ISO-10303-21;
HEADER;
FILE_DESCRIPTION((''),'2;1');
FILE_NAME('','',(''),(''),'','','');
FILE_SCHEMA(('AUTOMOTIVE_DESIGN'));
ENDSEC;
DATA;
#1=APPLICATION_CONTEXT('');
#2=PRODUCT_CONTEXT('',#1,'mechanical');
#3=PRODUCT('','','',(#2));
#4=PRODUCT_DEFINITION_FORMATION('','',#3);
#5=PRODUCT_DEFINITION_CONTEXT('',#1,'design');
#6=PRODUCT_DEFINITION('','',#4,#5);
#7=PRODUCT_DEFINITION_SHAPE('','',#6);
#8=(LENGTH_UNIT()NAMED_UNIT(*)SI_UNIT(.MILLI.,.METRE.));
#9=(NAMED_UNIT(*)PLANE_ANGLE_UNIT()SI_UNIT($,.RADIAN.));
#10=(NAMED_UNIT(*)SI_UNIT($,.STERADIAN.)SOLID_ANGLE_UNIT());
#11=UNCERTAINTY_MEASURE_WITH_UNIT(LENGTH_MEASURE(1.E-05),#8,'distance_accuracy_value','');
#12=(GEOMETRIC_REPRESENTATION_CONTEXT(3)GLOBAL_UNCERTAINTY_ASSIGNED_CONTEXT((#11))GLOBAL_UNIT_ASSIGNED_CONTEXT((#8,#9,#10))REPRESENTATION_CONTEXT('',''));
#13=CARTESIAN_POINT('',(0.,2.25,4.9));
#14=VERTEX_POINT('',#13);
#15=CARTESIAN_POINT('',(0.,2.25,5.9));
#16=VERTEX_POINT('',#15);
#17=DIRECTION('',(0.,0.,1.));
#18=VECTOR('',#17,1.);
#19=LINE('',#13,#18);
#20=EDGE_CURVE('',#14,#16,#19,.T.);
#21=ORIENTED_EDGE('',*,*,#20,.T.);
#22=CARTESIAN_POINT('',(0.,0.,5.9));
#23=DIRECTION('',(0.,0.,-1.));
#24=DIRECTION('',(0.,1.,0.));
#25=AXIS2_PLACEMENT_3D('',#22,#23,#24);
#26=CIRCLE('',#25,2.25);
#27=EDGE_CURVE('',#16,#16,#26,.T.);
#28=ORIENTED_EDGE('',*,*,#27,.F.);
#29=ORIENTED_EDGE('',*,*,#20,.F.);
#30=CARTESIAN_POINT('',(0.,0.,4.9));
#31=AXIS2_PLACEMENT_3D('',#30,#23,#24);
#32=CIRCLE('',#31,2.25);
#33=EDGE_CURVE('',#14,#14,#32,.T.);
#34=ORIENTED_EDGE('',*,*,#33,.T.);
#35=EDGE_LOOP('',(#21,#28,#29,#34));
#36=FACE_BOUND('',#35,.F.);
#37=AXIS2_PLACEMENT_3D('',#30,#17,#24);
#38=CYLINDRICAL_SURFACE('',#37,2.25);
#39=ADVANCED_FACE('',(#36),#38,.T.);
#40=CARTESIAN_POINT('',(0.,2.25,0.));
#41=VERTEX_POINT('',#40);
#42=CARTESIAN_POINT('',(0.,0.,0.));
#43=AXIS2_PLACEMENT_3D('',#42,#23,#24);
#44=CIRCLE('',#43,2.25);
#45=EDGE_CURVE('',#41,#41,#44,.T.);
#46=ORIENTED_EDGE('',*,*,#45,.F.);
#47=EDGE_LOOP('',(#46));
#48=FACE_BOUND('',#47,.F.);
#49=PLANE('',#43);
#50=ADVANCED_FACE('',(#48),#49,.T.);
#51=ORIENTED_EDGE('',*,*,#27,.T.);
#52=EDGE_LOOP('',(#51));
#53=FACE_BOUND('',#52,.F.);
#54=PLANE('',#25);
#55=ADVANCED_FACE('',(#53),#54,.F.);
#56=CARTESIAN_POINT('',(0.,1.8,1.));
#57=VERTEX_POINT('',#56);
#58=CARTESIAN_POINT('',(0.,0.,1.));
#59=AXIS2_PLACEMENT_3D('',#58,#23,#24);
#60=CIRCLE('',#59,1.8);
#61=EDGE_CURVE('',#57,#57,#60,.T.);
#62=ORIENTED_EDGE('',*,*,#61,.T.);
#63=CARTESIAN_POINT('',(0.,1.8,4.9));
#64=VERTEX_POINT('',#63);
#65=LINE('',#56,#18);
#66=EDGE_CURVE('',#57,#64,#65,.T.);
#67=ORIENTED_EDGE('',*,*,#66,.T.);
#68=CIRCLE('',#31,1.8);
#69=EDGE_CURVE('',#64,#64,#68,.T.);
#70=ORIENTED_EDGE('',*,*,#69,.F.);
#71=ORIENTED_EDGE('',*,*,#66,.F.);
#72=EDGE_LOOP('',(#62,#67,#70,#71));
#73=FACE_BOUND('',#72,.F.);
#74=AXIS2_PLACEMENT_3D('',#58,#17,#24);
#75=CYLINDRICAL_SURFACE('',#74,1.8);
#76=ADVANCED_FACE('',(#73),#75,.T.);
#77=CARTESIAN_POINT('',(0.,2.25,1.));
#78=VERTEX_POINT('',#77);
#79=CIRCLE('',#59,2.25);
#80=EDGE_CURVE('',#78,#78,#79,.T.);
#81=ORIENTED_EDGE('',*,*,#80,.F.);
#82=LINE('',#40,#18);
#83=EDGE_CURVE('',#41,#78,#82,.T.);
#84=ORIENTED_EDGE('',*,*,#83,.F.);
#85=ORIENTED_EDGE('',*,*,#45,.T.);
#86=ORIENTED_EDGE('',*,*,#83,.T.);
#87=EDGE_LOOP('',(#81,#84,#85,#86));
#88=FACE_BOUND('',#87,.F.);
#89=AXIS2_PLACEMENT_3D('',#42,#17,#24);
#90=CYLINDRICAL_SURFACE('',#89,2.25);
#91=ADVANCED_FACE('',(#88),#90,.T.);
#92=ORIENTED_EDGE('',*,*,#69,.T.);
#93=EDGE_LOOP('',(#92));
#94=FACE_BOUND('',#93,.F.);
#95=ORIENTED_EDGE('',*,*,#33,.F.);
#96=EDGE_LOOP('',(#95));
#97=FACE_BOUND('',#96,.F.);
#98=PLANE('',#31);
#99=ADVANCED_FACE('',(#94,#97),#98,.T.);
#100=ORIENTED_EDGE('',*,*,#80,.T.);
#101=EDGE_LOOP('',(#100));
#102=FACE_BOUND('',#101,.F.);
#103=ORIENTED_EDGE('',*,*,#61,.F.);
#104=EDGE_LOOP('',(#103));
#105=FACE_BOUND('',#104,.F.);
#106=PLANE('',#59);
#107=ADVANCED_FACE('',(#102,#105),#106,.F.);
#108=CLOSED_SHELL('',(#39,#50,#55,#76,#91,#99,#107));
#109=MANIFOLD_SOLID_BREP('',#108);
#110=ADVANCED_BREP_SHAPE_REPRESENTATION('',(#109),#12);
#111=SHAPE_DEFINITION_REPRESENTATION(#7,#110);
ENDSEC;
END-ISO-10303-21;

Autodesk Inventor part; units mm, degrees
ref_plane "YZ Plane" through (0, 0, 0) normal (1, 0, 0) x (0, 1, 0)
ref_plane "XZ Plane" through (0, 0, 0) normal (0, 1, 0) x (-1, 0, 0)
ref_plane "XY Plane" through (0, 0, 0) normal (0, 0, 1) x (1, 0, 0)
sketch "Skizze1" plane through (0, 0, 0) normal (1, 0, 0) x (0, 1, 0)
  line L0 (0, 0) -> (2.25, 0)
  line L1 (2.25, 0) -> (2.25, 1)
  line L2 (2.25, 1) -> (1.8, 1)
  line L3 (1.8, 1) -> (1.8, 4.9)
  line L4 (1.8, 4.9) -> (2.25, 4.9)
  line L5 (2.25, 4.9) -> (2.25, 5.9)
  line L6 (2.25, 5.9) -> (0, 5.9)
  line L7 (0, 5.9) -> (0, 0)
  dimension "d0" = 2.25
  dimension "d1" = 1
  dimension "d3" = 3.9
  dimension "d4" = 1
  dimension "d5" = 1.8
revolve "Umdrehung1" add sketch "Skizze1" angle 360 about axis through (0, 0, 5.9) along (0, 0, -1)
properties part number "00_Threaded_Insert_M3_8mm"
